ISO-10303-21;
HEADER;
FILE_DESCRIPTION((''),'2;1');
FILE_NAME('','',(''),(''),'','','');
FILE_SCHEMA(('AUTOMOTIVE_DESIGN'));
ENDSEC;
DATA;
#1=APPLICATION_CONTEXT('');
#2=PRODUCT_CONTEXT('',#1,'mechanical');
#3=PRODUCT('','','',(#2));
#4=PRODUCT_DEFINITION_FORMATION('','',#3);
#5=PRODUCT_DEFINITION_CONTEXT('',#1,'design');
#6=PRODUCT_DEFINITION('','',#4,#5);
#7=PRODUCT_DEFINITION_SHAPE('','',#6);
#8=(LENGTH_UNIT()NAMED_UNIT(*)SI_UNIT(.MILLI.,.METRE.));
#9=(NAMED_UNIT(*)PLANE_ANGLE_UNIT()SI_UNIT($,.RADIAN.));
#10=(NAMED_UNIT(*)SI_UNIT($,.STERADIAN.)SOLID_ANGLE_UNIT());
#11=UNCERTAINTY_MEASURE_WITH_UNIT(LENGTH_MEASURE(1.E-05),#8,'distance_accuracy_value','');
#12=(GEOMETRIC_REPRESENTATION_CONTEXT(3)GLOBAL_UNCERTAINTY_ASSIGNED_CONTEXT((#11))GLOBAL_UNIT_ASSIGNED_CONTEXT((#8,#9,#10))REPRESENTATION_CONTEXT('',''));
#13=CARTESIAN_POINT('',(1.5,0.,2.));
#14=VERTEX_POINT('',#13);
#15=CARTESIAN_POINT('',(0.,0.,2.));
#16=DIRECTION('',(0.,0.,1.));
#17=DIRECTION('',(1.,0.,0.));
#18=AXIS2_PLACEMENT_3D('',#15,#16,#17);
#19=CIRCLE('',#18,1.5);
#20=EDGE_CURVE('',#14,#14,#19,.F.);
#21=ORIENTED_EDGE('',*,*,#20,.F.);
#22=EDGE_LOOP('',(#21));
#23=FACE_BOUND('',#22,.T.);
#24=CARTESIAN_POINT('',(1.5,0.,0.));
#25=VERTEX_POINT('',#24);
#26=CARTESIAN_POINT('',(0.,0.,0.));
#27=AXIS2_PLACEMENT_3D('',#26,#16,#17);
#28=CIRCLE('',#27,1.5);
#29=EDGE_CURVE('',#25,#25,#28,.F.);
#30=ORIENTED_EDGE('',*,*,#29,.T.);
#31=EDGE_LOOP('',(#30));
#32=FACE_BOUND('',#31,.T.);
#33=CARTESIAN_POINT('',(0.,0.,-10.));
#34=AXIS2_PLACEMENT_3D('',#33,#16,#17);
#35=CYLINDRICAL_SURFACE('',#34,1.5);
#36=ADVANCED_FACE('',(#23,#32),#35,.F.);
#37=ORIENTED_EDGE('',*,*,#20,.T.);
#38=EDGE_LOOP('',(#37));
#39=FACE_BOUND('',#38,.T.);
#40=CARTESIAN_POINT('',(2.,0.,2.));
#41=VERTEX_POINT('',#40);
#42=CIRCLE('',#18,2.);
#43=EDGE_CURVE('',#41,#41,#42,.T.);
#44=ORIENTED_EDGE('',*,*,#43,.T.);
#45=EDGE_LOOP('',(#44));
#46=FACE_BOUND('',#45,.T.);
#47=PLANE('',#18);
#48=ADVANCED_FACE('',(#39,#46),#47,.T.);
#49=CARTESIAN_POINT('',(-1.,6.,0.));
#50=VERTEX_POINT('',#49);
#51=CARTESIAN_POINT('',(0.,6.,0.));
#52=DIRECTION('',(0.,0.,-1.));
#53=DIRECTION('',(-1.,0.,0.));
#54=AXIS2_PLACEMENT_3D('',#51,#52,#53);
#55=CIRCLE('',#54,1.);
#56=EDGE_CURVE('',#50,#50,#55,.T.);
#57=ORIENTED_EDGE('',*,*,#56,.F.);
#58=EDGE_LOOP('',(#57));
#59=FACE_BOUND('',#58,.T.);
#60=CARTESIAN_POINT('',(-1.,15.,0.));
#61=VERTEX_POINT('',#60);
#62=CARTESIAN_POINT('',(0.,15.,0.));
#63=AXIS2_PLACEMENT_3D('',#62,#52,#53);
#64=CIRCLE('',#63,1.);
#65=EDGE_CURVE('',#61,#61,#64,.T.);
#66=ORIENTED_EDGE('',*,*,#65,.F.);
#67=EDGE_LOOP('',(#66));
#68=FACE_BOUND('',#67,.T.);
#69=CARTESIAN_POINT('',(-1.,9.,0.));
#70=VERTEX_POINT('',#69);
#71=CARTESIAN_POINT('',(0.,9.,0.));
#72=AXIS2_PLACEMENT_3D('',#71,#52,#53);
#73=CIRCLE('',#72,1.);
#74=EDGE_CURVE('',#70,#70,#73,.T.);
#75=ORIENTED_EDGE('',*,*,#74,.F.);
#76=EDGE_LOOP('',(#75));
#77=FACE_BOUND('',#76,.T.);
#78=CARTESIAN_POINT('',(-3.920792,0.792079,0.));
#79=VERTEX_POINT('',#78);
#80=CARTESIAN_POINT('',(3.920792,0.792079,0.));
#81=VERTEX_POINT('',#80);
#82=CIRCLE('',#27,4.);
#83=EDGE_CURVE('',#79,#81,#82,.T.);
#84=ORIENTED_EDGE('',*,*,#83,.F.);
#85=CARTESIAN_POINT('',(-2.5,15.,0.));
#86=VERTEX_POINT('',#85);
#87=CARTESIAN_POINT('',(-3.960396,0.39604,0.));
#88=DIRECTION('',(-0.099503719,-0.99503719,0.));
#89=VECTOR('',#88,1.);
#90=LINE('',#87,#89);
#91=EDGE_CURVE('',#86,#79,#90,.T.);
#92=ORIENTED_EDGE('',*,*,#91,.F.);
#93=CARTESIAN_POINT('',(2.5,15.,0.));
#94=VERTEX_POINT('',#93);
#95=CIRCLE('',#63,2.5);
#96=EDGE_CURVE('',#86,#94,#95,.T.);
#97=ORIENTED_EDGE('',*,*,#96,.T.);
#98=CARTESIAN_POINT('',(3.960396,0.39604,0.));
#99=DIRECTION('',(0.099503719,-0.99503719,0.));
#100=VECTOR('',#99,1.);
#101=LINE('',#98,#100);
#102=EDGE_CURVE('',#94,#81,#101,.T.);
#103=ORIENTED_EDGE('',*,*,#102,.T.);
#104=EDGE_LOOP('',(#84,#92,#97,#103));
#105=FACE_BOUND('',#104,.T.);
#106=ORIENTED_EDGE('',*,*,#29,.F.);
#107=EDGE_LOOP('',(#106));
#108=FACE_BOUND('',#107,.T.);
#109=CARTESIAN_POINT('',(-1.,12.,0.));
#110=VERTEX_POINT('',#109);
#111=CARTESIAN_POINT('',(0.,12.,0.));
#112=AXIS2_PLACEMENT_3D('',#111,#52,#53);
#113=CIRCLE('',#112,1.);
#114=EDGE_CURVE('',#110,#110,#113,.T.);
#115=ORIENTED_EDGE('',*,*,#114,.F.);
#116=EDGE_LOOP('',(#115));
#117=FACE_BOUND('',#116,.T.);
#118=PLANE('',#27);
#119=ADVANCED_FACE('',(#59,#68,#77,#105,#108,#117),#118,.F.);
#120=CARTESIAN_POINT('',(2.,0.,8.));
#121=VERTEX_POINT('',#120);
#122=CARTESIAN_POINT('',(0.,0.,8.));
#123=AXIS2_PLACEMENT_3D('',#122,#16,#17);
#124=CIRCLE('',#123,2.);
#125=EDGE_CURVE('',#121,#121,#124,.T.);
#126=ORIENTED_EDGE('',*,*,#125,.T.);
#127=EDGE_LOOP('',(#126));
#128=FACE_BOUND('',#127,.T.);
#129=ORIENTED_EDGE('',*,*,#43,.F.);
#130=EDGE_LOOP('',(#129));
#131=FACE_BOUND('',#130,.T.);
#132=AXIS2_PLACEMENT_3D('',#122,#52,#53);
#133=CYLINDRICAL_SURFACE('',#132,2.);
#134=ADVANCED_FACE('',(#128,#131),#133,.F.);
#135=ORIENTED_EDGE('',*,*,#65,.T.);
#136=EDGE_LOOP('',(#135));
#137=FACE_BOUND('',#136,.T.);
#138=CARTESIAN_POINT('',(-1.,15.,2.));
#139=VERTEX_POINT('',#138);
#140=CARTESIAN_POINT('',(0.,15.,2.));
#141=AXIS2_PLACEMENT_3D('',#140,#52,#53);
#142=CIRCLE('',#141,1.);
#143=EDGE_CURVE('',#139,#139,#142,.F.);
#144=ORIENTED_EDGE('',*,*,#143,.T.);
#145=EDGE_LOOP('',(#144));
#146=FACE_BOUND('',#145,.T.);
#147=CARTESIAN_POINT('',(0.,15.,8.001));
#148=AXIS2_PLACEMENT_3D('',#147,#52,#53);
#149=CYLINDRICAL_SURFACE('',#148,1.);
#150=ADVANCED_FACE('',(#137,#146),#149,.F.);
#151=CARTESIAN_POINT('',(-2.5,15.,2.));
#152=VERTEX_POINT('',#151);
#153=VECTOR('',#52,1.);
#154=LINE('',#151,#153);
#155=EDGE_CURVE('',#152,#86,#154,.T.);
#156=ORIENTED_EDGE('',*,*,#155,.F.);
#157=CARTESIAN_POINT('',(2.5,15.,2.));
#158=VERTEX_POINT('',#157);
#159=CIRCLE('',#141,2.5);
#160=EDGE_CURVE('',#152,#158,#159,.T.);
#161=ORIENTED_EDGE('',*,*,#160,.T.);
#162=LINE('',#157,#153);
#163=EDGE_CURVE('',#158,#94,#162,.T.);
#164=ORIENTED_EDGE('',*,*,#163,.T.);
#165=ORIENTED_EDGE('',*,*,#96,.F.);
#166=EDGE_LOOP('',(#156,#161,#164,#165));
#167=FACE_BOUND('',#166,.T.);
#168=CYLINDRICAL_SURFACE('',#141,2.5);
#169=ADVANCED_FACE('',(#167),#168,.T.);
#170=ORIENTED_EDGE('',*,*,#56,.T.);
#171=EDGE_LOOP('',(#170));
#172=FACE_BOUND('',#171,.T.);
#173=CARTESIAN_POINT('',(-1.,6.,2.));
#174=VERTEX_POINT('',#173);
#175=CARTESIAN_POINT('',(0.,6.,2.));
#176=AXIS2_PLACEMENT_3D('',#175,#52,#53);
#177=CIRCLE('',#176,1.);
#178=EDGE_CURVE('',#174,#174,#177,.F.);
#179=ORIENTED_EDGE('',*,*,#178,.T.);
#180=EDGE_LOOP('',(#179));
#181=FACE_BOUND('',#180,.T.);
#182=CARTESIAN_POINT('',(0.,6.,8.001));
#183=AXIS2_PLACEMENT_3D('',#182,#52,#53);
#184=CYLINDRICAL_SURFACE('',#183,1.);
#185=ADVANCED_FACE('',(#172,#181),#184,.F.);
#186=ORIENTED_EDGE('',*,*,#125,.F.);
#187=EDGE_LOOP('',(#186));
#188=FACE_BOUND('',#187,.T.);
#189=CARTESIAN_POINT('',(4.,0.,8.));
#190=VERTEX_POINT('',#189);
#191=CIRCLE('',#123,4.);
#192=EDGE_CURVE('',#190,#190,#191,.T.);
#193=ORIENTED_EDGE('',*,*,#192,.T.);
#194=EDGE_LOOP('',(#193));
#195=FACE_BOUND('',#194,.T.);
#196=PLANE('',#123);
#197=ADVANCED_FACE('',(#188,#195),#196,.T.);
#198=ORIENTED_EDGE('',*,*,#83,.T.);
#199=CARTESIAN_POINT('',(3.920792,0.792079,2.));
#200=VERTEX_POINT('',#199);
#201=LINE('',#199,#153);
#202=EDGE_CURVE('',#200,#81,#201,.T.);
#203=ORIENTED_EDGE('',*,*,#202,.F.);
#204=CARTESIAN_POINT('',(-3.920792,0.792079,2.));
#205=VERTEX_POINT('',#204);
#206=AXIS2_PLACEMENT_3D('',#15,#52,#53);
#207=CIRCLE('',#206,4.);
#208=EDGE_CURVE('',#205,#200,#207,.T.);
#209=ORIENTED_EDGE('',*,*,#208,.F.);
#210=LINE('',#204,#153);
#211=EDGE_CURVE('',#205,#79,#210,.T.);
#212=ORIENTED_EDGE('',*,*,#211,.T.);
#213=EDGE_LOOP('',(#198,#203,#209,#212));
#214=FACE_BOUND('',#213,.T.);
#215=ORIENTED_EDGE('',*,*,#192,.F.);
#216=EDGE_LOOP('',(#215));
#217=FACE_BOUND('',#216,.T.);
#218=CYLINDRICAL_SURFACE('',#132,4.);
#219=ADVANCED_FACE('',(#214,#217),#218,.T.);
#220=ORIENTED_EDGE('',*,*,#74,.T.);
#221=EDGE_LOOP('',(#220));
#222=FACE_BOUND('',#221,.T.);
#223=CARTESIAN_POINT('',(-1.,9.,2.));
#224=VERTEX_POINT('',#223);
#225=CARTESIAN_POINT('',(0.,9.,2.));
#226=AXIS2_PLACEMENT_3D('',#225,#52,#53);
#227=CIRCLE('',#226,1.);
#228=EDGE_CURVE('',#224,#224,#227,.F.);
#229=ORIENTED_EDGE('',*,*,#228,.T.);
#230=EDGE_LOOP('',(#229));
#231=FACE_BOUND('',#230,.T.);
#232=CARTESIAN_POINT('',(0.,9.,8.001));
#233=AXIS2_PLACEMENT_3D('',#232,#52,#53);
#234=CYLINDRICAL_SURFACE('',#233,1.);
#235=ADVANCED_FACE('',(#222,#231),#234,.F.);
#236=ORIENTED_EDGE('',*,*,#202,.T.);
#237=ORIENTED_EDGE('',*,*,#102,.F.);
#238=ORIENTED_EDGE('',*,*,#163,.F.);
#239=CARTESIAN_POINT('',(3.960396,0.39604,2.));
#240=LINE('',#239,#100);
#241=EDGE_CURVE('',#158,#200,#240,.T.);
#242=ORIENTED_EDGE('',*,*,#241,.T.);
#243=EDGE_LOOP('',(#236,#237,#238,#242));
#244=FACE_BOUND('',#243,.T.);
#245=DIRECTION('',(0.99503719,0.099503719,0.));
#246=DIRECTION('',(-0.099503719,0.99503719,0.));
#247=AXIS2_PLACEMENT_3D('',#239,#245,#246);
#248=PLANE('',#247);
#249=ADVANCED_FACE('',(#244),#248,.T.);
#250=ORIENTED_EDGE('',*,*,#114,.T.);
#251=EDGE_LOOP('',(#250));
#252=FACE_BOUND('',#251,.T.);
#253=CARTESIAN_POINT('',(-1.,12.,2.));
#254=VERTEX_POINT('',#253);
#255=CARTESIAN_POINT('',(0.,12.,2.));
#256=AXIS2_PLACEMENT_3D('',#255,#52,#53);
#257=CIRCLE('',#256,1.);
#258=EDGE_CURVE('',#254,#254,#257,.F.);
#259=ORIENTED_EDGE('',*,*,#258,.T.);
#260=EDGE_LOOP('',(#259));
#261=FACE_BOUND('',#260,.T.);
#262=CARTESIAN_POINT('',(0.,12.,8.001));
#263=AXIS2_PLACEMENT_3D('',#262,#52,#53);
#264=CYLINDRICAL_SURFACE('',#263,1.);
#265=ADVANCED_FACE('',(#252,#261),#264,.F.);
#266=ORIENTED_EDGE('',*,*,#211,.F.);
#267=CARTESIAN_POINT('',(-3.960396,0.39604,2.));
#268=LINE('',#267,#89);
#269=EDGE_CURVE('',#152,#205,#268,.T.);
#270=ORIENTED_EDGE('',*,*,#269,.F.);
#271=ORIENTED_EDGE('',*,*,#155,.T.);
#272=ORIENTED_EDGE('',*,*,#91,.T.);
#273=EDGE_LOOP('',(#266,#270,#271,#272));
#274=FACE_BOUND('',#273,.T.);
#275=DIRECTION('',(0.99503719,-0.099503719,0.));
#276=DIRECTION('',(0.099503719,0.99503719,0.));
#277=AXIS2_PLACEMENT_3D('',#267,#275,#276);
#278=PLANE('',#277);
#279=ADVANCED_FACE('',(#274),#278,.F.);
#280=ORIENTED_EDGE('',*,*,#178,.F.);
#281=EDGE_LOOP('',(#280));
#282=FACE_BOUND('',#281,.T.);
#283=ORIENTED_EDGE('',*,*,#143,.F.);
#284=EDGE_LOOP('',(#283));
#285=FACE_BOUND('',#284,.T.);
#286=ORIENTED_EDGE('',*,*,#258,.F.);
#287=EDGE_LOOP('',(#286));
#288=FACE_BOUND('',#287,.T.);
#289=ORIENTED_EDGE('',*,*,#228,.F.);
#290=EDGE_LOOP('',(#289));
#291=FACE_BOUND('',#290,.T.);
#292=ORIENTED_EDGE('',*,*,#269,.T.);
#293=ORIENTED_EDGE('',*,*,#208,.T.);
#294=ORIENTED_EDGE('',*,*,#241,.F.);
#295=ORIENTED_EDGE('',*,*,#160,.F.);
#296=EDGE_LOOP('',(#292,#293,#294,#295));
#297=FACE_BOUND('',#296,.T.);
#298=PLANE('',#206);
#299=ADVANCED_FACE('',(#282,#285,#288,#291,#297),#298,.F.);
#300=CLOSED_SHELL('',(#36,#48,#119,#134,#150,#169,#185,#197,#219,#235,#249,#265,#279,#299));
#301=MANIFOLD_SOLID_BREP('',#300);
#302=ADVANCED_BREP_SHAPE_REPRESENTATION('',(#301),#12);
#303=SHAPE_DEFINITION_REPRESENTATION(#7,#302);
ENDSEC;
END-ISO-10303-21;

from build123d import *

# Parameters (mm, degrees)
SCHIZZO1_R                           = 4
ESTRUSIONE_ESTRUSIONE1_DEPTH         = 8
SVUOTA1_T                            = -2
ESTRUSIONE_ESTRUSIONE3_DEPTH         = 2
TAGLIO_ESTRUSIONE2_REACH             = 21.653
SCHIZZO4_R                           = 1
TAGLIO_ESTRUSIONE1_REACH             = 21.653
SCHIZZO2_R                           = 1.5
TAGLIO_ESTRUSIONE1_DIRECTION_2_DEPTH = 10


with BuildPart() as part:
    # Schizzo1 → Estrusione-Estrusione1 (new body)
    with BuildSketch(Plane.XY):
        Circle(SCHIZZO1_R)
    extrude(amount=ESTRUSIONE_ESTRUSIONE1_DEPTH)

    # Svuota1
    svuota1_openings = [part.faces().sort_by_distance(p)[0] for p in [
        (0, 0, 8),
    ]]
    offset(amount=SVUOTA1_T, openings=svuota1_openings, kind=Kind.INTERSECTION)

    # Schizzo5 → Estrusione-Estrusione3 (add)
    with BuildSketch(Plane(origin=(0, 0, 0), x_dir=(-1, 0, 0), z_dir=(0, 0, -1))):
        with BuildLine():
            ThreePointArc((-3.920792079, 0.792079208), (0, 4), (3.920792079, 0.792079208))
            Line((3.920792079, 0.792079208), (2.5, 15))
            ThreePointArc((2.5, 15), (0, 17.5), (-2.5, 15))
            Line((-2.5, 15), (-3.920792079, 0.792079208))
        make_face()
    extrude(amount=-ESTRUSIONE_ESTRUSIONE3_DEPTH)

    # Schizzo4 → Taglio-Estrusione2 (cut, up to next)
    with BuildSketch(Plane(origin=(0, 0, 0), x_dir=(-1, 0, 0), z_dir=(0, 0, -1)), mode=Mode.PRIVATE) as taglio_estrusione2_sk1:
        with Locations((0, 6)):
            Circle(SCHIZZO4_R)
    taglio_estrusione2_tool1 = extrude(taglio_estrusione2_sk1.sketch, amount=-TAGLIO_ESTRUSIONE2_REACH, mode=Mode.PRIVATE) & part.part
    # Schizzo4 → Taglio-Estrusione2 (cut, up to next)
    with BuildSketch(Plane(origin=(0, 0, 0), x_dir=(-1, 0, 0), z_dir=(0, 0, -1)), mode=Mode.PRIVATE) as taglio_estrusione2_sk2:
        with Locations((0, 9)):
            Circle(SCHIZZO4_R)
    taglio_estrusione2_tool2 = extrude(taglio_estrusione2_sk2.sketch, amount=-TAGLIO_ESTRUSIONE2_REACH, mode=Mode.PRIVATE) & part.part
    # Schizzo4 → Taglio-Estrusione2 (cut, up to next)
    with BuildSketch(Plane(origin=(0, 0, 0), x_dir=(-1, 0, 0), z_dir=(0, 0, -1)), mode=Mode.PRIVATE) as taglio_estrusione2_sk3:
        with Locations((0, 12)):
            Circle(SCHIZZO4_R)
    taglio_estrusione2_tool3 = extrude(taglio_estrusione2_sk3.sketch, amount=-TAGLIO_ESTRUSIONE2_REACH, mode=Mode.PRIVATE) & part.part
    # Schizzo4 → Taglio-Estrusione2 (cut, up to next)
    with BuildSketch(Plane(origin=(0, 0, 0), x_dir=(-1, 0, 0), z_dir=(0, 0, -1)), mode=Mode.PRIVATE) as taglio_estrusione2_sk4:
        with Locations((0, 15)):
            Circle(SCHIZZO4_R)
    taglio_estrusione2_tool4 = extrude(taglio_estrusione2_sk4.sketch, amount=-TAGLIO_ESTRUSIONE2_REACH, mode=Mode.PRIVATE) & part.part
    add(taglio_estrusione2_tool1.solids().sort_by_distance((0, 6, 0))[0], mode=Mode.SUBTRACT)
    add(taglio_estrusione2_tool2.solids().sort_by_distance((0, 9, 0))[0], mode=Mode.SUBTRACT)
    add(taglio_estrusione2_tool3.solids().sort_by_distance((0, 12, 0))[0], mode=Mode.SUBTRACT)
    add(taglio_estrusione2_tool4.solids().sort_by_distance((0, 15, 0))[0], mode=Mode.SUBTRACT)

    # Schizzo2 → Taglio-Estrusione1 (cut, up to next)
    with BuildSketch(Plane(origin=(0, 0, 0), x_dir=(-1, 0, 0), z_dir=(0, 0, -1)), mode=Mode.PRIVATE) as taglio_estrusione1_sk1:
        Circle(SCHIZZO2_R)
    taglio_estrusione1_tool1 = extrude(taglio_estrusione1_sk1.sketch, amount=-TAGLIO_ESTRUSIONE1_REACH, mode=Mode.PRIVATE) & part.part
    add(taglio_estrusione1_tool1.solids().sort_by_distance((0, 0, 0))[0], mode=Mode.SUBTRACT)

    # Schizzo2 → Taglio-Estrusione1 direction 2 (cut)
    with BuildSketch(Plane(origin=(0, 0, 0), x_dir=(-1, 0, 0), z_dir=(0, 0, -1))):
        Circle(SCHIZZO2_R)
    extrude(amount=TAGLIO_ESTRUSIONE1_DIRECTION_2_DEPTH, mode=Mode.SUBTRACT)


solid = part.part
